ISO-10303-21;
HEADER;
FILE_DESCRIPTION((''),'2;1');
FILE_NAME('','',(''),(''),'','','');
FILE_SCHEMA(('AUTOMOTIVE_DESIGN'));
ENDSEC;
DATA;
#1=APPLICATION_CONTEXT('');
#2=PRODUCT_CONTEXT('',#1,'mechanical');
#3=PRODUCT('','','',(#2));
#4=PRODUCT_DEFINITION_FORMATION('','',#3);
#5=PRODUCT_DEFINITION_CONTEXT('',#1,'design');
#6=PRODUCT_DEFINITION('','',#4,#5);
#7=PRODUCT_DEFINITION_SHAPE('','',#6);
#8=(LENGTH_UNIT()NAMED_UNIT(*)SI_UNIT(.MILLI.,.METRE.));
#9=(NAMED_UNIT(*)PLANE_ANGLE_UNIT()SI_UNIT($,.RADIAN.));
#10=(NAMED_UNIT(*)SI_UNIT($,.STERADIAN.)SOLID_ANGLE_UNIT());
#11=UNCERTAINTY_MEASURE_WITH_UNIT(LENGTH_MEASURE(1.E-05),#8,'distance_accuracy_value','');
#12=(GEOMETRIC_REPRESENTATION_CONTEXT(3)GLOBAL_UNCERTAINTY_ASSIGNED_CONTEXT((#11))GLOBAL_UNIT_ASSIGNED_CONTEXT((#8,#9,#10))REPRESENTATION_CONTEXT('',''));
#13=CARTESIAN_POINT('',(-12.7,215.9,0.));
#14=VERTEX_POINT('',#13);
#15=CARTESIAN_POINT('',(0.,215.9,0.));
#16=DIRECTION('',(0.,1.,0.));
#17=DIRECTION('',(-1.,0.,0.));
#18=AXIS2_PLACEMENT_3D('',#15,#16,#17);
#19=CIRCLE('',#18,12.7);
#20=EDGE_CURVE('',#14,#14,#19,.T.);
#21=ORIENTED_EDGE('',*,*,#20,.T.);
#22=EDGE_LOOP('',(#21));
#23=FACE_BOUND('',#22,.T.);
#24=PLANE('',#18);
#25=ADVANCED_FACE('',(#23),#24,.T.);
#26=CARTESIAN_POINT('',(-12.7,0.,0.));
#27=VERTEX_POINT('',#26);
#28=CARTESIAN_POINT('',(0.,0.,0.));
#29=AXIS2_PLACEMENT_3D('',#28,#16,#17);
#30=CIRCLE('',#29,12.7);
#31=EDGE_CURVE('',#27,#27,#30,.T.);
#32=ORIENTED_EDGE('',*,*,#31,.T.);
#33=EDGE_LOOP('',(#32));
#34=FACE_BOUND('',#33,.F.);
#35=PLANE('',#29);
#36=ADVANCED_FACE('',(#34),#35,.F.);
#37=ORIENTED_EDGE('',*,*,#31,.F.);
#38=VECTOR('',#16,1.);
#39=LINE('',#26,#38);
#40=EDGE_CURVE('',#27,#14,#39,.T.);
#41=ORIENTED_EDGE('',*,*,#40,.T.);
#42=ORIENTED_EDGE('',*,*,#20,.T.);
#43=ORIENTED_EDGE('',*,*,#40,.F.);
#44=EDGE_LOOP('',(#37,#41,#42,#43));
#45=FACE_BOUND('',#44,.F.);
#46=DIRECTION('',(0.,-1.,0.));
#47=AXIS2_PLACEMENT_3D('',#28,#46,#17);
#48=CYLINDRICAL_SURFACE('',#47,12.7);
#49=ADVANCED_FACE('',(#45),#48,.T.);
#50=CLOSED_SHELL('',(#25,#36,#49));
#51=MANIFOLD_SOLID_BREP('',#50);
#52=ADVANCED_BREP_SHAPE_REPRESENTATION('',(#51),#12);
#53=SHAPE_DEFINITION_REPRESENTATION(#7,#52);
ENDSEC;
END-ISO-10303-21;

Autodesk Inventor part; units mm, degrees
ref_plane "YZ Plane" through (0, 0, 0) normal (1, 0, 0) x (0, 1, 0)
ref_plane "XZ Plane" through (0, 0, 0) normal (0, 1, 0) x (-1, 0, 0)
ref_plane "XY Plane" through (0, 0, 0) normal (0, 0, 1) x (1, 0, 0)
sketch "Sketch1" plane through (0, 0, 0) normal (0, 1, 0) x (-1, 0, 0)
  circle A0 centre (0, 0) radius 12.7
  dimension "d0" = 25.4
extrude "Extrusion1" add sketch "Sketch1" along normal blind 215.9
properties part number "ShaftPlaceholder" material "Steel, Alloy"
